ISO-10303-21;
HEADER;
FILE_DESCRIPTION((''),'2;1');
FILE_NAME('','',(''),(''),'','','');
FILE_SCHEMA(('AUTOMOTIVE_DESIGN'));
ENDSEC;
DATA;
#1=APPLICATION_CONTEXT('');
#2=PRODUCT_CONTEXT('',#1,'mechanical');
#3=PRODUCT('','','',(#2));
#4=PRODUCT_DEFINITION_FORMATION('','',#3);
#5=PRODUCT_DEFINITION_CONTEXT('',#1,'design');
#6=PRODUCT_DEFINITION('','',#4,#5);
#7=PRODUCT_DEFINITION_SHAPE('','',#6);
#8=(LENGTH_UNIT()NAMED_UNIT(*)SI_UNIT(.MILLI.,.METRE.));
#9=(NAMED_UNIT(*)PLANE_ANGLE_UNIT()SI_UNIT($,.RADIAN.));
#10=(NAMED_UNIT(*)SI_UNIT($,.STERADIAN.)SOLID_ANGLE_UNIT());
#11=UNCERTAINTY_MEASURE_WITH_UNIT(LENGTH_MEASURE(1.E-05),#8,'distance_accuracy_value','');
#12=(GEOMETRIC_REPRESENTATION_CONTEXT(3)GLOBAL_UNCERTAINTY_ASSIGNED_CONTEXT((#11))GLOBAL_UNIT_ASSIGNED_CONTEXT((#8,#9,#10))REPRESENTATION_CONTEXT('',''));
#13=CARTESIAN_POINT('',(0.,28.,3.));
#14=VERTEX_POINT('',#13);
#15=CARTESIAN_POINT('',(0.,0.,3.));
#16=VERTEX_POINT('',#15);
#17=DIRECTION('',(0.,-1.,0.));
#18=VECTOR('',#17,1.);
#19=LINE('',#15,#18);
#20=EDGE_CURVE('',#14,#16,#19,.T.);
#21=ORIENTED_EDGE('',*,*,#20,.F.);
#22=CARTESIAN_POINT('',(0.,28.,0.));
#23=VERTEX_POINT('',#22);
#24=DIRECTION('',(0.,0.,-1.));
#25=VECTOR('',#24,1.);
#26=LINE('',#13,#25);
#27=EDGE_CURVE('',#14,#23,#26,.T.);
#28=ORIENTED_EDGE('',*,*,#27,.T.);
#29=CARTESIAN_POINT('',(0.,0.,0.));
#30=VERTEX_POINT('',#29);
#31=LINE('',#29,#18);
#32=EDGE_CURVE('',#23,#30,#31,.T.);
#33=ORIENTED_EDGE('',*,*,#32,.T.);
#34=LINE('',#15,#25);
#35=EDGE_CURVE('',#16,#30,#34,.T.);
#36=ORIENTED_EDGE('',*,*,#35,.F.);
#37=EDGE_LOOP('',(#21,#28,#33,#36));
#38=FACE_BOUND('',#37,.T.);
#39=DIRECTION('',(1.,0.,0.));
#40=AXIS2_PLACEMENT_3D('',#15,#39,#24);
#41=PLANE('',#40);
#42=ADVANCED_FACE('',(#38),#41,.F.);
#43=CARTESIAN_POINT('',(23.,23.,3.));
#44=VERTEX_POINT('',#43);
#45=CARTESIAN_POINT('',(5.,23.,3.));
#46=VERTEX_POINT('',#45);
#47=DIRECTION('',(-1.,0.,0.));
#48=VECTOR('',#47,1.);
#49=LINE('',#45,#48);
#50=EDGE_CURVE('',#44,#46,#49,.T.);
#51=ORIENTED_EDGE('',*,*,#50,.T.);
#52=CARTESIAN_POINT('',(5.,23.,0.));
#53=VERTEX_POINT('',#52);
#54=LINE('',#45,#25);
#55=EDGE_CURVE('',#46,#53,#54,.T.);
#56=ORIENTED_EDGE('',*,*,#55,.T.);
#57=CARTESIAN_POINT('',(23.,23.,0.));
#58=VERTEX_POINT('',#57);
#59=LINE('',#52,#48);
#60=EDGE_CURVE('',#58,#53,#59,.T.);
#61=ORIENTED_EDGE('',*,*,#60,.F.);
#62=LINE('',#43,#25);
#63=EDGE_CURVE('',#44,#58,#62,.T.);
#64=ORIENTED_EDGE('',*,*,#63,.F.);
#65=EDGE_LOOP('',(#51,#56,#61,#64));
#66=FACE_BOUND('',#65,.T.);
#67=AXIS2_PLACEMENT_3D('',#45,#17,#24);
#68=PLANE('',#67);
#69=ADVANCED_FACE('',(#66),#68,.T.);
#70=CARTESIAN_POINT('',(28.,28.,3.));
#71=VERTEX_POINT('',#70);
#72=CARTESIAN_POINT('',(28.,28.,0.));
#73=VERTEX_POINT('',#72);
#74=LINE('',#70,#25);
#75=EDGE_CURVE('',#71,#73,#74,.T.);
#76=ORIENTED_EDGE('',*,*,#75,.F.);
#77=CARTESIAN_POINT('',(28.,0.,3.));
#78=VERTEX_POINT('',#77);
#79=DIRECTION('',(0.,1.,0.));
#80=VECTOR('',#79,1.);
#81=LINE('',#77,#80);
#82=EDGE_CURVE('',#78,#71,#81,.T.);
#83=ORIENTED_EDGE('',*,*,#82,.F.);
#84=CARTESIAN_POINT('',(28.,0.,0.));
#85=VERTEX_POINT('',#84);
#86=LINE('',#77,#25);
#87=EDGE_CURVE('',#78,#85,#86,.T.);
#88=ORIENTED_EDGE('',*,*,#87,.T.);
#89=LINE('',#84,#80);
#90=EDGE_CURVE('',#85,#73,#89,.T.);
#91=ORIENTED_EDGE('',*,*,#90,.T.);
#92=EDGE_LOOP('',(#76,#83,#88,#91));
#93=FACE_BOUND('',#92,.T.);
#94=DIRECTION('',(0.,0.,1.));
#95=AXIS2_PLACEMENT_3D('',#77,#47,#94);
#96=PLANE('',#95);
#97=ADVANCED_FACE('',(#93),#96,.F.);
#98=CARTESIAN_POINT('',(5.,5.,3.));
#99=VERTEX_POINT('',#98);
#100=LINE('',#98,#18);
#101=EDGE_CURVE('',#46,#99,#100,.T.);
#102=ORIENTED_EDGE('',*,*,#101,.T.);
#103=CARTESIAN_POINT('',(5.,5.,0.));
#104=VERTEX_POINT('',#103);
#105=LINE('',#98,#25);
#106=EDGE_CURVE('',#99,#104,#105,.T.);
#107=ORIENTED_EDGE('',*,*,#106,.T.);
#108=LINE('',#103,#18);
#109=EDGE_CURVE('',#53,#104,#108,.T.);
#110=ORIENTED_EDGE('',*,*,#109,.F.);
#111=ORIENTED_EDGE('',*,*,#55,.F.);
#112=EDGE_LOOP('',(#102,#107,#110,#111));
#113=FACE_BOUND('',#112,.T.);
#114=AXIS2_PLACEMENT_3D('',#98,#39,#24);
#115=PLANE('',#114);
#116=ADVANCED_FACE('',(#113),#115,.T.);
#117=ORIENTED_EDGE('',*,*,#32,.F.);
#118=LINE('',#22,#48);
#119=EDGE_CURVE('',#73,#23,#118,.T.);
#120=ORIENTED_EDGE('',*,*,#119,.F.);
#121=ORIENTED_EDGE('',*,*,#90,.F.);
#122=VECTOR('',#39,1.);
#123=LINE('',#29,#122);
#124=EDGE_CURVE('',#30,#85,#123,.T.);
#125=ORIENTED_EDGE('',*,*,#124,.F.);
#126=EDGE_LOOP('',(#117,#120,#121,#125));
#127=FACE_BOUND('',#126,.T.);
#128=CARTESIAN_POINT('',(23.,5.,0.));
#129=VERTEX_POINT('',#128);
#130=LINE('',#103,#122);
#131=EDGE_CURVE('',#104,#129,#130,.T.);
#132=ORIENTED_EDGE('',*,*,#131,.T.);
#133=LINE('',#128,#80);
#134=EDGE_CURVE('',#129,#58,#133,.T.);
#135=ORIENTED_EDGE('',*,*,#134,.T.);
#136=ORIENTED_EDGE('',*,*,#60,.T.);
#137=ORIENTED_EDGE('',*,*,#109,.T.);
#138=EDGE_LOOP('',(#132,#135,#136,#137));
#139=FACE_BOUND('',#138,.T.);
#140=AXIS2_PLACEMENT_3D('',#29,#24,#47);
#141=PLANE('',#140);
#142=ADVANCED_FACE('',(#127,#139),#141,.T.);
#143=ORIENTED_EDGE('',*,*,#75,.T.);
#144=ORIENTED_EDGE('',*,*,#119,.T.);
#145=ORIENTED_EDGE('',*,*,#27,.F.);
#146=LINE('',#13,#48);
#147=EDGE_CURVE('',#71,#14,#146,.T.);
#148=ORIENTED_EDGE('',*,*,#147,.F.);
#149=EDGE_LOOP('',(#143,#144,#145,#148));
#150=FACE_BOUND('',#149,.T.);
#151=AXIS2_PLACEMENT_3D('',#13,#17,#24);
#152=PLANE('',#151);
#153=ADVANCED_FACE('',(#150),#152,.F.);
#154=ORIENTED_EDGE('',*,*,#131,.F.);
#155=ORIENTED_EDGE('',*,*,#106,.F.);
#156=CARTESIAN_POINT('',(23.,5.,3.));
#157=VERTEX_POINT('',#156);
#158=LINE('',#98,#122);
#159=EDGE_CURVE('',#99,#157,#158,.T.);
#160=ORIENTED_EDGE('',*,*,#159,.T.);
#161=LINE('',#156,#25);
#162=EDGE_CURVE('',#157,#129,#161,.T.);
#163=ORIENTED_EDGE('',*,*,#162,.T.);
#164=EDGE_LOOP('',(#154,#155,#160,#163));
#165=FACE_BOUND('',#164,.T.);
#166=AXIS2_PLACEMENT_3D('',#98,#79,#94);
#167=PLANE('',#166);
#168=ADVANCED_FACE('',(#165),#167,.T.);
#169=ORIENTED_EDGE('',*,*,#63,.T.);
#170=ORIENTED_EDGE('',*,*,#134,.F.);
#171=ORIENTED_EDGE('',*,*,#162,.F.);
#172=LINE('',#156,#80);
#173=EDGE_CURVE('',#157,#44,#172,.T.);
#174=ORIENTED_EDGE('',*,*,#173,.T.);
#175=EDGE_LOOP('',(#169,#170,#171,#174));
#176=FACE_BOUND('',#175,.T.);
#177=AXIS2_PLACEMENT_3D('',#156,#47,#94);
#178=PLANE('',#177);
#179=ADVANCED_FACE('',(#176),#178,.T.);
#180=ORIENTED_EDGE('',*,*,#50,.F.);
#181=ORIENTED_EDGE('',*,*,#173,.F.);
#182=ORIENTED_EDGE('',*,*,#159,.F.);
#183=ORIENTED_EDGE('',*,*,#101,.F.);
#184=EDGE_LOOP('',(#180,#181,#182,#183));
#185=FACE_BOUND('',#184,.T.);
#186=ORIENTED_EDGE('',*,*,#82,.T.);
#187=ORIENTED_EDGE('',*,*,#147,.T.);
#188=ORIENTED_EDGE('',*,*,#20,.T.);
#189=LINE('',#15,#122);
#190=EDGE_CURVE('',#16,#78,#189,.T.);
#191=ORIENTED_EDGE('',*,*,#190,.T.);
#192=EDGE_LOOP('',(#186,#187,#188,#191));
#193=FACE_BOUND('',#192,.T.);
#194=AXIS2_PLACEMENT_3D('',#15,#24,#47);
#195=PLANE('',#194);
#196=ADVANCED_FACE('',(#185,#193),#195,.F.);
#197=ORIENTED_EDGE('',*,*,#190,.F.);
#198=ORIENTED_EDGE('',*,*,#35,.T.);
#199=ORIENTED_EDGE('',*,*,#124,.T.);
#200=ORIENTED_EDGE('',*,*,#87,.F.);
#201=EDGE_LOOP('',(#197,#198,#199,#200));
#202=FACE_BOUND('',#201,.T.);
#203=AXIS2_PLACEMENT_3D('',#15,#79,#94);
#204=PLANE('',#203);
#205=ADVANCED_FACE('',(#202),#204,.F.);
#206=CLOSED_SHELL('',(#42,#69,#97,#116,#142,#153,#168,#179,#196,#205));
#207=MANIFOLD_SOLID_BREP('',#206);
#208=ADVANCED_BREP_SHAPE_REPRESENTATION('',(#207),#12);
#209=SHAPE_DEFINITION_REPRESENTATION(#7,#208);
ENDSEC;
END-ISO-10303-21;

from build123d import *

# Parameters (mm, degrees)
SKETCH1_W     = 28
SKETCH1_H     = 28
SKETCH1_W_2   = 18
SKETCH1_H_2   = 18
PROFILE_DEPTH = 3


with BuildPart() as part:
    # Sketch1 → Profile (new body)
    with BuildSketch(Plane.XY):
        with Locations((14, 14)):
            Rectangle(SKETCH1_W, SKETCH1_H)
        with Locations((14, 14)):
            Rectangle(SKETCH1_W_2, SKETCH1_H_2, mode=Mode.SUBTRACT)
    extrude(amount=PROFILE_DEPTH)


solid = part.part
